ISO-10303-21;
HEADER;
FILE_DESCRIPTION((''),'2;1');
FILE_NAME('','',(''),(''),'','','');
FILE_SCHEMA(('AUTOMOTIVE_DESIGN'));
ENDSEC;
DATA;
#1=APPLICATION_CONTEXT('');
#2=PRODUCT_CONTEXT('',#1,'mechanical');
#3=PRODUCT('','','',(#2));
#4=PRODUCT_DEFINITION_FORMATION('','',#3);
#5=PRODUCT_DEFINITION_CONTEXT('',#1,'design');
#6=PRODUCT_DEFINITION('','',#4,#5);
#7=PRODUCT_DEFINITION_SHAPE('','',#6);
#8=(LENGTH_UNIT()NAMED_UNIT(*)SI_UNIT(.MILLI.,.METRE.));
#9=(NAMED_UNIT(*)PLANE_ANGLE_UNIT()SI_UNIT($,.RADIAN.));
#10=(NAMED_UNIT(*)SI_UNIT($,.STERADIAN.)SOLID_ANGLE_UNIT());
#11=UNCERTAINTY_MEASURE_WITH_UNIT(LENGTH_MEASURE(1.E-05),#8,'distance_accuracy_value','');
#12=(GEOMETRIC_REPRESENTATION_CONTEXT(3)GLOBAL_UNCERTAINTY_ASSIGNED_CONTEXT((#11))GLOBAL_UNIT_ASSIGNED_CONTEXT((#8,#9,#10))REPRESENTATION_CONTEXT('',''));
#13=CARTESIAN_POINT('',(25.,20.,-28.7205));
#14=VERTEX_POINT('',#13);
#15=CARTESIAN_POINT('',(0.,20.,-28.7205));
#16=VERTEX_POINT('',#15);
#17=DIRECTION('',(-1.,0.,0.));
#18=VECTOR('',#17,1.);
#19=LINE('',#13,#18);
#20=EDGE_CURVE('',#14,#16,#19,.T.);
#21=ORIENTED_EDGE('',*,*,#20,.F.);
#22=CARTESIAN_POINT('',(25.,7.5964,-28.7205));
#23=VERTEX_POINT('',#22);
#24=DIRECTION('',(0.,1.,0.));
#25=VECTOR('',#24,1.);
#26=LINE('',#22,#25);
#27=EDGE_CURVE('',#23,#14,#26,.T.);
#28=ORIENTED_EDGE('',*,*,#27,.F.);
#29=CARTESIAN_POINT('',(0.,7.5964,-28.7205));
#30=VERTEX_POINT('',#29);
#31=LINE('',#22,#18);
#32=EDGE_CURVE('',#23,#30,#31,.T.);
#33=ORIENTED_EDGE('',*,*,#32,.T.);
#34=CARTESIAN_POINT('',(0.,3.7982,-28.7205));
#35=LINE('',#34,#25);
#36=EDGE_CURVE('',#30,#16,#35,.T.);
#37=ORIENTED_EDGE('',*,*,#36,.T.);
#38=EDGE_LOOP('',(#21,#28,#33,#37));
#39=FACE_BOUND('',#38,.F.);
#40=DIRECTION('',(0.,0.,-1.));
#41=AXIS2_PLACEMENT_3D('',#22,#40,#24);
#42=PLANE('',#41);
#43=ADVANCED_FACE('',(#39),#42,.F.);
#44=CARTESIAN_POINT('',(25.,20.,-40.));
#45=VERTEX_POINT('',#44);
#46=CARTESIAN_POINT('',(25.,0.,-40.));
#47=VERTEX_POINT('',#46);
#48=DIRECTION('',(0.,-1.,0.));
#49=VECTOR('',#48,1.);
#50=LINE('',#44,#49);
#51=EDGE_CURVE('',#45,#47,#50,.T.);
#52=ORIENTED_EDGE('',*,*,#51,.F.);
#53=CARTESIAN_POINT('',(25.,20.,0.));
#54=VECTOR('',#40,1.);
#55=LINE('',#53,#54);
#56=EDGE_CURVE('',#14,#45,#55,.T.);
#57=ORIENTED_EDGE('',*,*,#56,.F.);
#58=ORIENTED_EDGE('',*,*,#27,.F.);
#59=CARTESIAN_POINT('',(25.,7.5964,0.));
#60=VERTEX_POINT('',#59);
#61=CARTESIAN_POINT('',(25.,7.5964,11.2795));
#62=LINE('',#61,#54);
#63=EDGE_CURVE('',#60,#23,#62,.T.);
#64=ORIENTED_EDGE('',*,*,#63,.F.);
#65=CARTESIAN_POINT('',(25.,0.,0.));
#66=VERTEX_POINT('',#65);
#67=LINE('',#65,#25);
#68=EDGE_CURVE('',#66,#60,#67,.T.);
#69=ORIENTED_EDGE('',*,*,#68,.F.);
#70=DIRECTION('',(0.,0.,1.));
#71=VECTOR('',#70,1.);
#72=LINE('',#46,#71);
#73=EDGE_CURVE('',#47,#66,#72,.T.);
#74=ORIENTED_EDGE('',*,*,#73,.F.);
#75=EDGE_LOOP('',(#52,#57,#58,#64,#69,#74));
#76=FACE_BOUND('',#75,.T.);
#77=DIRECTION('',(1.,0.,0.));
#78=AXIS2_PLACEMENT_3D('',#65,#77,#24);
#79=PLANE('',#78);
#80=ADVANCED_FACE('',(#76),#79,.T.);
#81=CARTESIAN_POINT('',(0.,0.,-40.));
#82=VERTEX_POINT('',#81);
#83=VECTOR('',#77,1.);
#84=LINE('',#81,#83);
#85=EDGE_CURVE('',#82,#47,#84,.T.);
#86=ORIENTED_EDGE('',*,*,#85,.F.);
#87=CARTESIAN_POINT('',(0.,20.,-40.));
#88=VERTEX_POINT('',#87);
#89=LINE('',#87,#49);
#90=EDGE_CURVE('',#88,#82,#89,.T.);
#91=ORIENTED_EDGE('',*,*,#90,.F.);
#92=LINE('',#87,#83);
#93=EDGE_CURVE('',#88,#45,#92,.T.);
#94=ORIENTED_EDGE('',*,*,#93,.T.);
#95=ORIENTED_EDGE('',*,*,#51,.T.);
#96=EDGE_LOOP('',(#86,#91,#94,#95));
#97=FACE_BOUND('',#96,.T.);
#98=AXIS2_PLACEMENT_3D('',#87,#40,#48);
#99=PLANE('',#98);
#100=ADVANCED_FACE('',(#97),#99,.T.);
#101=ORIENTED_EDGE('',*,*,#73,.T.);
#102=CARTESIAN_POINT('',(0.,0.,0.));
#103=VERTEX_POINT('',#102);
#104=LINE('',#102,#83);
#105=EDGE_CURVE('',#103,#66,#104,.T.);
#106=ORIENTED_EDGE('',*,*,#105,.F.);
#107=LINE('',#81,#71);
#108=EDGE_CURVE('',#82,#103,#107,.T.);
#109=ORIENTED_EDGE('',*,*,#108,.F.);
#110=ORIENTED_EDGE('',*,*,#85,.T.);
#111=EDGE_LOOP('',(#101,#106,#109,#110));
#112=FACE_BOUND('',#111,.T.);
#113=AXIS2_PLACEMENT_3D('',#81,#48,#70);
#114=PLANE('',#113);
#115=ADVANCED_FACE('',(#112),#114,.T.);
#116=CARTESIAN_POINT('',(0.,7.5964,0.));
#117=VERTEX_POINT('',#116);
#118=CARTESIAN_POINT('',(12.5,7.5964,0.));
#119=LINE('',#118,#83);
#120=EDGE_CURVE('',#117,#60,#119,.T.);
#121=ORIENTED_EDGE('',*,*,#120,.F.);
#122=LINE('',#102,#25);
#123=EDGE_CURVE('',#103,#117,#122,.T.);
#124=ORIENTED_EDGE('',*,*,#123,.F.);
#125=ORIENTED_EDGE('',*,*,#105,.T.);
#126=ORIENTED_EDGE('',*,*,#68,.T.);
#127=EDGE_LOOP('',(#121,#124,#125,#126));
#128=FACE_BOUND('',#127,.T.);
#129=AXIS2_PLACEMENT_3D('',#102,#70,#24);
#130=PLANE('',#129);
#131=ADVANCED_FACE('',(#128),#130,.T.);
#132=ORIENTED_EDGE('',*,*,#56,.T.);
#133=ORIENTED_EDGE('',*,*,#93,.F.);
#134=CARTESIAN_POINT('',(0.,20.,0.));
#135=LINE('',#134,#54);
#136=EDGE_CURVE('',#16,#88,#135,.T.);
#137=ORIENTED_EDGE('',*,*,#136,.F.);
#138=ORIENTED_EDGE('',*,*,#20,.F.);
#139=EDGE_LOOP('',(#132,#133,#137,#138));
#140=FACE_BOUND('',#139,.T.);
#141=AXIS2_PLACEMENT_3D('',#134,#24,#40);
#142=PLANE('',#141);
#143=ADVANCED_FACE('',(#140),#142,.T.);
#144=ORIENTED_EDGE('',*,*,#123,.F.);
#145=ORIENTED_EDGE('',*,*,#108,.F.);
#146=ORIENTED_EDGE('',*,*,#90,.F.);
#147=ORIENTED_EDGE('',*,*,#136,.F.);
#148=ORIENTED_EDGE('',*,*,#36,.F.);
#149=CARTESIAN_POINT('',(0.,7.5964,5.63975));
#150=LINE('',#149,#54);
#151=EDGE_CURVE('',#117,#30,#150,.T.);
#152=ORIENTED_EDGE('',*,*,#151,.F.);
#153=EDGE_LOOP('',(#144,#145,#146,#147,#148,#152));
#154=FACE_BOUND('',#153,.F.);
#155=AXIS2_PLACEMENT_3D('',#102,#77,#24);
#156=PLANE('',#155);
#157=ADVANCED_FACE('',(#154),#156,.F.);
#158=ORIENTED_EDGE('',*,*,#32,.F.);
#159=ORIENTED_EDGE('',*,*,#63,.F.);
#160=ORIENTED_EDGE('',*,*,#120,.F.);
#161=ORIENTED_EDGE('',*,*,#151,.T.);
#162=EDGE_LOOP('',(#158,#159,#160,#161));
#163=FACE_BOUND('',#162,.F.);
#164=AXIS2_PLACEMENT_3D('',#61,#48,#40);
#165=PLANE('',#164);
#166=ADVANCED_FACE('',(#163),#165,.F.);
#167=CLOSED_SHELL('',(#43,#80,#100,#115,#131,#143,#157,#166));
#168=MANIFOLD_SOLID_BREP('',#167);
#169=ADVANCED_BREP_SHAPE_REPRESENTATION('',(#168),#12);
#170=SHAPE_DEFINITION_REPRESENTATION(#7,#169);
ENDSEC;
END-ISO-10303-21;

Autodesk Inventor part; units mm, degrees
ref_plane "YZ Plane" through (0, 0, 0) normal (1, 0, 0) x (0, 1, 0)
ref_plane "XZ Plane" through (0, 0, 0) normal (0, 1, 0) x (-1, 0, 0)
ref_plane "XY Plane" through (0, 0, 0) normal (0, 0, 1) x (1, 0, 0)
sketch "Esboço1" plane through (0, 0, 0) normal (1, 0, 0) x (0, 1, 0)
  line L0 (0, 0) -> (20, 0)
  line L1 (20, 0) -> (20, -40)
  line L2 (20, -40) -> (0, -40)
  line L3 (0, -40) -> (0, 0)
  dimension "d0" = 40
  dimension "d1" = 20
extrude "Extrusão1" add sketch "Esboço1" along normal blind 25
sketch "Esboço2" plane through (25, 0, 0) normal (1, 0, 0) x (0, 0, -1)
  line L0 (28.7205, 20) -> (-11.2795, 20)
  line L1 (-11.2795, 20) -> (-11.2795, 7.5964)
  line L2 (-11.2795, 7.5964) -> (28.7205, 7.5964)
  line L3 (28.7205, 7.5964) -> (28.7205, 20)
  line L4 (0, 0) -> (40, 0) projected
  dimension "d4" = 40
  dimension "d5" = 20
extrude "Extrusão2" cut sketch "Esboço2" against normal through all
properties part number "Peça_aula"
